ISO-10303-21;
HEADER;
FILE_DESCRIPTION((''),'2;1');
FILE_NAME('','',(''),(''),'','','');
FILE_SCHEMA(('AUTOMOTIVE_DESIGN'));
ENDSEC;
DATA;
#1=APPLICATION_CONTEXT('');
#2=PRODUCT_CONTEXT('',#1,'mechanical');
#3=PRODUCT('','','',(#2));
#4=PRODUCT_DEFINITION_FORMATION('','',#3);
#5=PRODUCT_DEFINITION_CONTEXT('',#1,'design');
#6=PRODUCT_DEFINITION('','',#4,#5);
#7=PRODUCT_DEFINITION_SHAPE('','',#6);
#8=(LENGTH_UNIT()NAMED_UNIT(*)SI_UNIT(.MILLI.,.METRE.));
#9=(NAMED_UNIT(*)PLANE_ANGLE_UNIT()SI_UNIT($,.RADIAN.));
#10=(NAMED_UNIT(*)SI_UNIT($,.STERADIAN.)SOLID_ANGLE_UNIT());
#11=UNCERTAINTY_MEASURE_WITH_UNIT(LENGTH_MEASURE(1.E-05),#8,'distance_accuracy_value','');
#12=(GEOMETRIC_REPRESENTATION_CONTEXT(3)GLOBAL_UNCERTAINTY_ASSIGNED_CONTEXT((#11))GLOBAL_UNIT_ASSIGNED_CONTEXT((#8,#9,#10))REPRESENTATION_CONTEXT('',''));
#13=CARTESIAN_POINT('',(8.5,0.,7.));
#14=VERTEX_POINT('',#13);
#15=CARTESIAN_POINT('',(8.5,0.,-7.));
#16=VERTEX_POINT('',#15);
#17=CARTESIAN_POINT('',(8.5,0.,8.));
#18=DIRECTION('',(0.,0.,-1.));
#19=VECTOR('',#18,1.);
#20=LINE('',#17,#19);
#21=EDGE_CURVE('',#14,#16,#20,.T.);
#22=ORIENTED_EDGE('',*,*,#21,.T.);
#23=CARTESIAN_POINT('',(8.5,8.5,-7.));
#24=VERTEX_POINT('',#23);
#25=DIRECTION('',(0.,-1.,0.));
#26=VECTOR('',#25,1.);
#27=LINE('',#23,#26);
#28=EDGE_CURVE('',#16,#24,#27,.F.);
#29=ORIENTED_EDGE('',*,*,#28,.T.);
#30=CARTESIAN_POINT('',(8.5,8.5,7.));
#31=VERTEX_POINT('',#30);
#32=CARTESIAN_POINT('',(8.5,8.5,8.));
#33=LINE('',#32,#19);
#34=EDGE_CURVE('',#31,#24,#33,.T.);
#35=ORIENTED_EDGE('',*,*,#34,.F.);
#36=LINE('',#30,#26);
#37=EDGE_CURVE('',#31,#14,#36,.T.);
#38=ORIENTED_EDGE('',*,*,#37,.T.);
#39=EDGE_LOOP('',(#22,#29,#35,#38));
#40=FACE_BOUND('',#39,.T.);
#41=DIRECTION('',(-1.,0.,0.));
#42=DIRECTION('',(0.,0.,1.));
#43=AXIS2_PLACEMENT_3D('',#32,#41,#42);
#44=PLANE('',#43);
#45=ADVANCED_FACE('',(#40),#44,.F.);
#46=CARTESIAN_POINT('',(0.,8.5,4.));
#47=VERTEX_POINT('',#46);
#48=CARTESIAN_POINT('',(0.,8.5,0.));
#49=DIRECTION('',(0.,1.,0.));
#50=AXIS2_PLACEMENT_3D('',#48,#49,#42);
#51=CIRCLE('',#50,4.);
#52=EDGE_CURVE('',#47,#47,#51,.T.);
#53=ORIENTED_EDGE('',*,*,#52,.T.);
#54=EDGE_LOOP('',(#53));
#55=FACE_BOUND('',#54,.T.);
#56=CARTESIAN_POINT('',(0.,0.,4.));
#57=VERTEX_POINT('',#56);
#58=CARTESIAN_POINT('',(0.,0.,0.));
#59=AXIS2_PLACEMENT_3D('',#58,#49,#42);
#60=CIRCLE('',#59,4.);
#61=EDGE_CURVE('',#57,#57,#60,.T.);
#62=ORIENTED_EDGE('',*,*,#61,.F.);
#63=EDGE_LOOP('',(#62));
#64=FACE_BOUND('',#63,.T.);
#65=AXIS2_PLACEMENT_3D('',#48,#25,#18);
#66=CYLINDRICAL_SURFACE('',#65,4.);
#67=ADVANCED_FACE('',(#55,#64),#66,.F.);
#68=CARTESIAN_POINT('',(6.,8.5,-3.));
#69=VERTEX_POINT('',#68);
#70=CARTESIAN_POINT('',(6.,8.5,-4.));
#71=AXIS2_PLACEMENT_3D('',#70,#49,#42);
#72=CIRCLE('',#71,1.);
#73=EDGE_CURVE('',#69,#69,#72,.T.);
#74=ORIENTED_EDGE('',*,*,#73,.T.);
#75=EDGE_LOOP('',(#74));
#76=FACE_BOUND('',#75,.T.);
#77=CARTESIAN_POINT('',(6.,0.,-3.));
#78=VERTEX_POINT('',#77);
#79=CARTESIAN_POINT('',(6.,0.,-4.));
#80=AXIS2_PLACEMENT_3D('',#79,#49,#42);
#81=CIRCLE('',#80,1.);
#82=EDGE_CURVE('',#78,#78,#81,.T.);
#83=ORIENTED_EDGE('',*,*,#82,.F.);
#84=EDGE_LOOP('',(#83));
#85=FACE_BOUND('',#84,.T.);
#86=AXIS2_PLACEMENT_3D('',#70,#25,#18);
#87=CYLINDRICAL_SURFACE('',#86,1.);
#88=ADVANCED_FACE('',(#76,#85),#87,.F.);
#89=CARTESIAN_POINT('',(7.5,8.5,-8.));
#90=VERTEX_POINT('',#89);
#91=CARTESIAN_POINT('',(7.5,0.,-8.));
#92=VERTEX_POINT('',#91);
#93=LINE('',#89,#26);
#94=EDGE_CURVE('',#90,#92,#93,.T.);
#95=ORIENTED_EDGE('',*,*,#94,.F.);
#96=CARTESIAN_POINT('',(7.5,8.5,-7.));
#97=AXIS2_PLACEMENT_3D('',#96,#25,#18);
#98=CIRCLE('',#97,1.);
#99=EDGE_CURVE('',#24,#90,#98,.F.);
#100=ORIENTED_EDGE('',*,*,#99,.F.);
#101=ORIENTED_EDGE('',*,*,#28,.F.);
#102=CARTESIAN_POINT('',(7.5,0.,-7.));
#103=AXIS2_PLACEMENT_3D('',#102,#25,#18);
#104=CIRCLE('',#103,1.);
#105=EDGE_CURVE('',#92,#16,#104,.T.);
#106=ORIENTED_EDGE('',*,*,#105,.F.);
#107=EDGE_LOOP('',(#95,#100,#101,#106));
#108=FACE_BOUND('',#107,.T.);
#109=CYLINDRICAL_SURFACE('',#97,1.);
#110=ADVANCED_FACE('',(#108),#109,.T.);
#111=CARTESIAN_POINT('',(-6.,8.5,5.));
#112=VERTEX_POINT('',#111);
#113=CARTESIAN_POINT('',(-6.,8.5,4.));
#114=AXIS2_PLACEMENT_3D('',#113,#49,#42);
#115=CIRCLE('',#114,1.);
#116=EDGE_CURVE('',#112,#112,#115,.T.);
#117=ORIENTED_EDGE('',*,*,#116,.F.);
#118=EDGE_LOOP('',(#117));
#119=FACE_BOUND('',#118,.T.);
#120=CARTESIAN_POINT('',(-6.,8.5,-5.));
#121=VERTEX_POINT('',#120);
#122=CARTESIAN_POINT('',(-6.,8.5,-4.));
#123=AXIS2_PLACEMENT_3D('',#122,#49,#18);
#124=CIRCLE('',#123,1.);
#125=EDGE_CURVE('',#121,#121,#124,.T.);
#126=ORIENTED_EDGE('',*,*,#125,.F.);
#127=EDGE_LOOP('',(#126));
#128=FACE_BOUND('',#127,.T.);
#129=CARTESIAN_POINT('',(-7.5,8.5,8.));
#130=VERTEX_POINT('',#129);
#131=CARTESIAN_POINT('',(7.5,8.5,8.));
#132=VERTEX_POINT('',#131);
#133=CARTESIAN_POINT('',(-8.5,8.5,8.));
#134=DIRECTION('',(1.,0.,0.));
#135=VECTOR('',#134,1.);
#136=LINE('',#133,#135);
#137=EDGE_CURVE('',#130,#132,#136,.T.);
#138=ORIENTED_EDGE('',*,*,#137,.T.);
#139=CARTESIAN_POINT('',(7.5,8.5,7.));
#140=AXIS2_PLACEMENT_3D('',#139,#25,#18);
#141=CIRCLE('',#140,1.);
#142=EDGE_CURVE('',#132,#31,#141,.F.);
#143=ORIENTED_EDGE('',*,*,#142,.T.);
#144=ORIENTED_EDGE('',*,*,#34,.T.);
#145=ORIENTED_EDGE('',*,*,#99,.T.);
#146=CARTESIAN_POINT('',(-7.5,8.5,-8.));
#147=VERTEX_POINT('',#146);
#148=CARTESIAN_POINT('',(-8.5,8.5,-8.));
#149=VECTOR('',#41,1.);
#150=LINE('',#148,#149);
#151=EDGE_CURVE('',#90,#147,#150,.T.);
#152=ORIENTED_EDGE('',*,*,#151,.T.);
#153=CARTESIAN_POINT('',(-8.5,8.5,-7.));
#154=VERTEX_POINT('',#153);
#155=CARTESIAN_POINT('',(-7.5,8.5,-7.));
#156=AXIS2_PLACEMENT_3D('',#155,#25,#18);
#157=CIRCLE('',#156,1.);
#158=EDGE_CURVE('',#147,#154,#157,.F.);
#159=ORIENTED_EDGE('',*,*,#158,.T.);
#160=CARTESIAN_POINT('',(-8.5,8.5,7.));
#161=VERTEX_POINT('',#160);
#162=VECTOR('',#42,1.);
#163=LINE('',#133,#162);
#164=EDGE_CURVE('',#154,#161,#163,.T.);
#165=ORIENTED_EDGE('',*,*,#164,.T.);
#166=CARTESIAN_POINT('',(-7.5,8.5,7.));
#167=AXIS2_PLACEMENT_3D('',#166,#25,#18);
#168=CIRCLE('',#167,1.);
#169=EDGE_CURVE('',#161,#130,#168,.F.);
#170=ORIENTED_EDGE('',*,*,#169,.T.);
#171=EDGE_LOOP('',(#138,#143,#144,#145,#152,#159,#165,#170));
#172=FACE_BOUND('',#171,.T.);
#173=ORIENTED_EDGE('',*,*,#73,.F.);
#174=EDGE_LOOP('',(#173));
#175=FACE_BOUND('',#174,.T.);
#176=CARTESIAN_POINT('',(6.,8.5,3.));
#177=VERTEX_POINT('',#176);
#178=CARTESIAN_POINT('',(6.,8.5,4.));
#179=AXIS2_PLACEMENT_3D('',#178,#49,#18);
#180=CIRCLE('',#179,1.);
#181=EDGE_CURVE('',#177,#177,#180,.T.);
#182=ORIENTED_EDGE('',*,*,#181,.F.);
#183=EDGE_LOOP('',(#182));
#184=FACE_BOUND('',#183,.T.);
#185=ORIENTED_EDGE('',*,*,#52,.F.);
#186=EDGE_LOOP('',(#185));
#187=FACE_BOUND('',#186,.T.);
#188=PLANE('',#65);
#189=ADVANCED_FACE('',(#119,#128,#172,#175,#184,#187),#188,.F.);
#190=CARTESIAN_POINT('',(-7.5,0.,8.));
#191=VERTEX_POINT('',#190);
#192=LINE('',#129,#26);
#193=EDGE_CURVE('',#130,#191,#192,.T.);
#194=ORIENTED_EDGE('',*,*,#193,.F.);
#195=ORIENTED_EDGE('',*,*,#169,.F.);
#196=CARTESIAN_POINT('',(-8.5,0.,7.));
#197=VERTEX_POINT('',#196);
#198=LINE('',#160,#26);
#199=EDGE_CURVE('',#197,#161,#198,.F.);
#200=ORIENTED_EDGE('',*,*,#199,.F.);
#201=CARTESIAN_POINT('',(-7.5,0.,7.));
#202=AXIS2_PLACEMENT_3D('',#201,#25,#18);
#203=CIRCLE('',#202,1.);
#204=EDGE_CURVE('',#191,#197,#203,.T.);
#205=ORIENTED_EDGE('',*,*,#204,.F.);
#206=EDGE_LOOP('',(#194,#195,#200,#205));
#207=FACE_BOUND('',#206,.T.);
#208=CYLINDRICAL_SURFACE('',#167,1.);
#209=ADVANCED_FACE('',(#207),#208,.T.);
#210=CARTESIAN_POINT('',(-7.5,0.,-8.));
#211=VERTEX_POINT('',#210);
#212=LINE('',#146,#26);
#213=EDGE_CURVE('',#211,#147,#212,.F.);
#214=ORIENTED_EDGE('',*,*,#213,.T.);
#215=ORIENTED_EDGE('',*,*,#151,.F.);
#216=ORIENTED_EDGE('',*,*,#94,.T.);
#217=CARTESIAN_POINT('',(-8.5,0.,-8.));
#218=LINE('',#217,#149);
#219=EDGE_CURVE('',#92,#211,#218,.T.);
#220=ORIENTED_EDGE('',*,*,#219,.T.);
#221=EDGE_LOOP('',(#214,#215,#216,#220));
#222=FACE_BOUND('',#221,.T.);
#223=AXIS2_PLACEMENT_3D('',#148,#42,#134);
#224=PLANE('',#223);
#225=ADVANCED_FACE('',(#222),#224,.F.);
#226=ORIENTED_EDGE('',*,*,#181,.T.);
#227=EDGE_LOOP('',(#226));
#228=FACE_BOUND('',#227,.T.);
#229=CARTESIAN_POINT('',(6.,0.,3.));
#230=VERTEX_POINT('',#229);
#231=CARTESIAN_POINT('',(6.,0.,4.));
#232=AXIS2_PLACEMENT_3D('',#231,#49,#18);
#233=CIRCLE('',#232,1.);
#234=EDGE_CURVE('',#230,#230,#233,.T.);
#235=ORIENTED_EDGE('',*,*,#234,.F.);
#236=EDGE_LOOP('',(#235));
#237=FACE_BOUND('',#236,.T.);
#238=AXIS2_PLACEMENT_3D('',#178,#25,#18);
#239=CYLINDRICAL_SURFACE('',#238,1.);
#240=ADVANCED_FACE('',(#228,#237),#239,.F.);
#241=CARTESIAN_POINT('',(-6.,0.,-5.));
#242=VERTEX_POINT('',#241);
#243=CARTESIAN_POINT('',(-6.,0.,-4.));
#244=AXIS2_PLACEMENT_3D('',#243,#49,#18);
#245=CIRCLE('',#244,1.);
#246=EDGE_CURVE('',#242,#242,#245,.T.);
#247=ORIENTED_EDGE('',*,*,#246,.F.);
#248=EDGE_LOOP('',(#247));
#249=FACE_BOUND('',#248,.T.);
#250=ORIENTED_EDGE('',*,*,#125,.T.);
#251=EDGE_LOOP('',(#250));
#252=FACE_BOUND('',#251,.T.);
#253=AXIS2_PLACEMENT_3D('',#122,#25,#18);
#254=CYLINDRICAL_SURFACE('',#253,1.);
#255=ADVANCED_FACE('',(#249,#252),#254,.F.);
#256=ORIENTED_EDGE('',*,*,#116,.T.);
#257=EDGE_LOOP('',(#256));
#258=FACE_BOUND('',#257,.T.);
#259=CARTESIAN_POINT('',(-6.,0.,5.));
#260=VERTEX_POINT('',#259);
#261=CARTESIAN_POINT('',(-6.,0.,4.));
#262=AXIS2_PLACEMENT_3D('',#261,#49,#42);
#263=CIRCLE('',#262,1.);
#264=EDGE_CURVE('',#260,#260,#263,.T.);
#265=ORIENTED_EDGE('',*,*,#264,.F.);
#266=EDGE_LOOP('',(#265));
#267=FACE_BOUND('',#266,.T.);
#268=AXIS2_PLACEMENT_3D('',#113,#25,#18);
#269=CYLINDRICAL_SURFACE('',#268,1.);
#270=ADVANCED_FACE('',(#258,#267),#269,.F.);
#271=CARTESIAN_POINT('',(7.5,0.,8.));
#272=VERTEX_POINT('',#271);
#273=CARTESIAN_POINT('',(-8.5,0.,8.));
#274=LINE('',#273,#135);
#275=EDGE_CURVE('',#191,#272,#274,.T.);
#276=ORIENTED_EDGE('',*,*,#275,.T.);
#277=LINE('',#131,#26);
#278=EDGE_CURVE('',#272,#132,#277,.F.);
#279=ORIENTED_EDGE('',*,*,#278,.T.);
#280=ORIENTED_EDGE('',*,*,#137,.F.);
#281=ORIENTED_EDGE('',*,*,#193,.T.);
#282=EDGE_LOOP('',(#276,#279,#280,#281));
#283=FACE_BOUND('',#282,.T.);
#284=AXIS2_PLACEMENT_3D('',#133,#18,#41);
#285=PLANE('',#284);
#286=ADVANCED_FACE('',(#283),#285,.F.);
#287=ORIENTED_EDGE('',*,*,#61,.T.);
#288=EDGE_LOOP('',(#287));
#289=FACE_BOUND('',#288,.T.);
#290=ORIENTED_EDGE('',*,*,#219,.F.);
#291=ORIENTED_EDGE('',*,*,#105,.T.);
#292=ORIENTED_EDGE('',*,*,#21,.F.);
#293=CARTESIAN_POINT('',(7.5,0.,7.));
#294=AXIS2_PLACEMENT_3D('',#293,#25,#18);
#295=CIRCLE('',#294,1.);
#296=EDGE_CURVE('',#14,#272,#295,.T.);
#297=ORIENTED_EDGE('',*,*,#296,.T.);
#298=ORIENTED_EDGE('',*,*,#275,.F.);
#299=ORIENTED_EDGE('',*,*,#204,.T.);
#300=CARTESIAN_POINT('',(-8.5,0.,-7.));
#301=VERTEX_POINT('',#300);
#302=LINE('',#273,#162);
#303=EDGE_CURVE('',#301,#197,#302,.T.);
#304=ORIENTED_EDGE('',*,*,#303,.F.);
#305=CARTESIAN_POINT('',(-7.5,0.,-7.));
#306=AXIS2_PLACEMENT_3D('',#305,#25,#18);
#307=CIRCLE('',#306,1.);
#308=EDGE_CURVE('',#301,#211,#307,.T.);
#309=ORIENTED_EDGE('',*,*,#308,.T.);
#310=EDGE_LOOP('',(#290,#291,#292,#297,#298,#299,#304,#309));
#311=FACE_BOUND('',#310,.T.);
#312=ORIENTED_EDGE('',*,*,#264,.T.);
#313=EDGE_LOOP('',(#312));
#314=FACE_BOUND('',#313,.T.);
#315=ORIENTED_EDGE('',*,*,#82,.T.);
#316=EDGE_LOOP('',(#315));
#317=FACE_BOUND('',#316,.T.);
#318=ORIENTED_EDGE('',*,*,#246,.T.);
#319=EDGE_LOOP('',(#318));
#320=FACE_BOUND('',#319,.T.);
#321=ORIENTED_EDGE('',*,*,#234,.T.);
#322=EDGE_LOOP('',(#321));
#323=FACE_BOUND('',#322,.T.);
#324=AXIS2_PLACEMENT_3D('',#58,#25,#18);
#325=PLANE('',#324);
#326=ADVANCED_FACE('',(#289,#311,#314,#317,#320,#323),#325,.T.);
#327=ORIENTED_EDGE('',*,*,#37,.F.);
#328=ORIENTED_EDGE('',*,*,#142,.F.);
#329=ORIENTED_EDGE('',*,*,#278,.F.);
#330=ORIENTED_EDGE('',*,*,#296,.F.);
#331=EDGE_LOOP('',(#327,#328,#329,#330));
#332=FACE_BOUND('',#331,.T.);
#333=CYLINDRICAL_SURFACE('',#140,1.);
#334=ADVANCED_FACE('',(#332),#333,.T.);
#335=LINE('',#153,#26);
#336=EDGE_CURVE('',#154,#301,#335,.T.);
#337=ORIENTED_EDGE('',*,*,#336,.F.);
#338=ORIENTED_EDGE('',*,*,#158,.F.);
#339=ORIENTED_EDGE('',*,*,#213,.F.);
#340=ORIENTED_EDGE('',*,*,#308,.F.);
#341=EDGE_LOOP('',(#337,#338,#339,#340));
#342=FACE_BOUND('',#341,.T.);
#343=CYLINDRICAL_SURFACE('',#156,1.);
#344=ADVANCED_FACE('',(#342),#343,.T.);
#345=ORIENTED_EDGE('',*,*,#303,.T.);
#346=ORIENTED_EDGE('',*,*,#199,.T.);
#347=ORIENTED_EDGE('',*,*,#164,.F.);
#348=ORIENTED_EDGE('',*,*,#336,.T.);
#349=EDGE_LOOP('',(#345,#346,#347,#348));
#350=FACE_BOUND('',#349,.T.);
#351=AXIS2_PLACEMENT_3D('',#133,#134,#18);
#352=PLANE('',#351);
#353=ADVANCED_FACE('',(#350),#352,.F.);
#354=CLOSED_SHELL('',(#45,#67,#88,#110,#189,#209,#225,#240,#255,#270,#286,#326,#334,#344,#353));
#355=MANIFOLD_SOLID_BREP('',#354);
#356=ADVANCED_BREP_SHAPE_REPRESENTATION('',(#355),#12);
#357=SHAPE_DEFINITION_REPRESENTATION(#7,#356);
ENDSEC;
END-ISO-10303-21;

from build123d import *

# Parameters (mm, degrees)
SKETCH_1_W      = 17
SKETCH_1_H      = 16
SKETCH_1_R      = 1
SKETCH_1_R_2    = 4
EXTRUDE_1_DEPTH = 8.5
FILLET_1_R      = 1


with BuildPart() as part:
    # 草图1 → 凸台-拉伸1 (new body)
    with BuildSketch(Plane(origin=(0, 0, 0), x_dir=(1, 0, 0), z_dir=(0, 1, 0))):
        Rectangle(SKETCH_1_W, SKETCH_1_H)
        with Locations(Location((6, 4, 0), (0, 0, 270))):
            Circle(SKETCH_1_R, mode=Mode.SUBTRACT)
        with Locations(Location((-6, 4, 0), (0, 0, 90))):
            Circle(SKETCH_1_R, mode=Mode.SUBTRACT)
        with Locations(Location((6, -4, 0), (0, 0, 90))):
            Circle(SKETCH_1_R, mode=Mode.SUBTRACT)
        with Locations(Location((-6, -4, 0), (0, 0, 270))):
            Circle(SKETCH_1_R, mode=Mode.SUBTRACT)
        with Locations(Location((0, 0, 0), (0, 0, 270))):
            Circle(SKETCH_1_R_2, mode=Mode.SUBTRACT)
    extrude(amount=EXTRUDE_1_DEPTH)

    # 圆角1
    fillet_1_edges = [part.edges().sort_by_distance(p)[0] for p in [
        (8.5, 4.25, 8),
        (-8.5, 4.25, 8),
        (-8.5, 4.25, -8),
        (8.5, 4.25, -8),
    ]]
    fillet(fillet_1_edges, radius=FILLET_1_R)


solid = part.part
